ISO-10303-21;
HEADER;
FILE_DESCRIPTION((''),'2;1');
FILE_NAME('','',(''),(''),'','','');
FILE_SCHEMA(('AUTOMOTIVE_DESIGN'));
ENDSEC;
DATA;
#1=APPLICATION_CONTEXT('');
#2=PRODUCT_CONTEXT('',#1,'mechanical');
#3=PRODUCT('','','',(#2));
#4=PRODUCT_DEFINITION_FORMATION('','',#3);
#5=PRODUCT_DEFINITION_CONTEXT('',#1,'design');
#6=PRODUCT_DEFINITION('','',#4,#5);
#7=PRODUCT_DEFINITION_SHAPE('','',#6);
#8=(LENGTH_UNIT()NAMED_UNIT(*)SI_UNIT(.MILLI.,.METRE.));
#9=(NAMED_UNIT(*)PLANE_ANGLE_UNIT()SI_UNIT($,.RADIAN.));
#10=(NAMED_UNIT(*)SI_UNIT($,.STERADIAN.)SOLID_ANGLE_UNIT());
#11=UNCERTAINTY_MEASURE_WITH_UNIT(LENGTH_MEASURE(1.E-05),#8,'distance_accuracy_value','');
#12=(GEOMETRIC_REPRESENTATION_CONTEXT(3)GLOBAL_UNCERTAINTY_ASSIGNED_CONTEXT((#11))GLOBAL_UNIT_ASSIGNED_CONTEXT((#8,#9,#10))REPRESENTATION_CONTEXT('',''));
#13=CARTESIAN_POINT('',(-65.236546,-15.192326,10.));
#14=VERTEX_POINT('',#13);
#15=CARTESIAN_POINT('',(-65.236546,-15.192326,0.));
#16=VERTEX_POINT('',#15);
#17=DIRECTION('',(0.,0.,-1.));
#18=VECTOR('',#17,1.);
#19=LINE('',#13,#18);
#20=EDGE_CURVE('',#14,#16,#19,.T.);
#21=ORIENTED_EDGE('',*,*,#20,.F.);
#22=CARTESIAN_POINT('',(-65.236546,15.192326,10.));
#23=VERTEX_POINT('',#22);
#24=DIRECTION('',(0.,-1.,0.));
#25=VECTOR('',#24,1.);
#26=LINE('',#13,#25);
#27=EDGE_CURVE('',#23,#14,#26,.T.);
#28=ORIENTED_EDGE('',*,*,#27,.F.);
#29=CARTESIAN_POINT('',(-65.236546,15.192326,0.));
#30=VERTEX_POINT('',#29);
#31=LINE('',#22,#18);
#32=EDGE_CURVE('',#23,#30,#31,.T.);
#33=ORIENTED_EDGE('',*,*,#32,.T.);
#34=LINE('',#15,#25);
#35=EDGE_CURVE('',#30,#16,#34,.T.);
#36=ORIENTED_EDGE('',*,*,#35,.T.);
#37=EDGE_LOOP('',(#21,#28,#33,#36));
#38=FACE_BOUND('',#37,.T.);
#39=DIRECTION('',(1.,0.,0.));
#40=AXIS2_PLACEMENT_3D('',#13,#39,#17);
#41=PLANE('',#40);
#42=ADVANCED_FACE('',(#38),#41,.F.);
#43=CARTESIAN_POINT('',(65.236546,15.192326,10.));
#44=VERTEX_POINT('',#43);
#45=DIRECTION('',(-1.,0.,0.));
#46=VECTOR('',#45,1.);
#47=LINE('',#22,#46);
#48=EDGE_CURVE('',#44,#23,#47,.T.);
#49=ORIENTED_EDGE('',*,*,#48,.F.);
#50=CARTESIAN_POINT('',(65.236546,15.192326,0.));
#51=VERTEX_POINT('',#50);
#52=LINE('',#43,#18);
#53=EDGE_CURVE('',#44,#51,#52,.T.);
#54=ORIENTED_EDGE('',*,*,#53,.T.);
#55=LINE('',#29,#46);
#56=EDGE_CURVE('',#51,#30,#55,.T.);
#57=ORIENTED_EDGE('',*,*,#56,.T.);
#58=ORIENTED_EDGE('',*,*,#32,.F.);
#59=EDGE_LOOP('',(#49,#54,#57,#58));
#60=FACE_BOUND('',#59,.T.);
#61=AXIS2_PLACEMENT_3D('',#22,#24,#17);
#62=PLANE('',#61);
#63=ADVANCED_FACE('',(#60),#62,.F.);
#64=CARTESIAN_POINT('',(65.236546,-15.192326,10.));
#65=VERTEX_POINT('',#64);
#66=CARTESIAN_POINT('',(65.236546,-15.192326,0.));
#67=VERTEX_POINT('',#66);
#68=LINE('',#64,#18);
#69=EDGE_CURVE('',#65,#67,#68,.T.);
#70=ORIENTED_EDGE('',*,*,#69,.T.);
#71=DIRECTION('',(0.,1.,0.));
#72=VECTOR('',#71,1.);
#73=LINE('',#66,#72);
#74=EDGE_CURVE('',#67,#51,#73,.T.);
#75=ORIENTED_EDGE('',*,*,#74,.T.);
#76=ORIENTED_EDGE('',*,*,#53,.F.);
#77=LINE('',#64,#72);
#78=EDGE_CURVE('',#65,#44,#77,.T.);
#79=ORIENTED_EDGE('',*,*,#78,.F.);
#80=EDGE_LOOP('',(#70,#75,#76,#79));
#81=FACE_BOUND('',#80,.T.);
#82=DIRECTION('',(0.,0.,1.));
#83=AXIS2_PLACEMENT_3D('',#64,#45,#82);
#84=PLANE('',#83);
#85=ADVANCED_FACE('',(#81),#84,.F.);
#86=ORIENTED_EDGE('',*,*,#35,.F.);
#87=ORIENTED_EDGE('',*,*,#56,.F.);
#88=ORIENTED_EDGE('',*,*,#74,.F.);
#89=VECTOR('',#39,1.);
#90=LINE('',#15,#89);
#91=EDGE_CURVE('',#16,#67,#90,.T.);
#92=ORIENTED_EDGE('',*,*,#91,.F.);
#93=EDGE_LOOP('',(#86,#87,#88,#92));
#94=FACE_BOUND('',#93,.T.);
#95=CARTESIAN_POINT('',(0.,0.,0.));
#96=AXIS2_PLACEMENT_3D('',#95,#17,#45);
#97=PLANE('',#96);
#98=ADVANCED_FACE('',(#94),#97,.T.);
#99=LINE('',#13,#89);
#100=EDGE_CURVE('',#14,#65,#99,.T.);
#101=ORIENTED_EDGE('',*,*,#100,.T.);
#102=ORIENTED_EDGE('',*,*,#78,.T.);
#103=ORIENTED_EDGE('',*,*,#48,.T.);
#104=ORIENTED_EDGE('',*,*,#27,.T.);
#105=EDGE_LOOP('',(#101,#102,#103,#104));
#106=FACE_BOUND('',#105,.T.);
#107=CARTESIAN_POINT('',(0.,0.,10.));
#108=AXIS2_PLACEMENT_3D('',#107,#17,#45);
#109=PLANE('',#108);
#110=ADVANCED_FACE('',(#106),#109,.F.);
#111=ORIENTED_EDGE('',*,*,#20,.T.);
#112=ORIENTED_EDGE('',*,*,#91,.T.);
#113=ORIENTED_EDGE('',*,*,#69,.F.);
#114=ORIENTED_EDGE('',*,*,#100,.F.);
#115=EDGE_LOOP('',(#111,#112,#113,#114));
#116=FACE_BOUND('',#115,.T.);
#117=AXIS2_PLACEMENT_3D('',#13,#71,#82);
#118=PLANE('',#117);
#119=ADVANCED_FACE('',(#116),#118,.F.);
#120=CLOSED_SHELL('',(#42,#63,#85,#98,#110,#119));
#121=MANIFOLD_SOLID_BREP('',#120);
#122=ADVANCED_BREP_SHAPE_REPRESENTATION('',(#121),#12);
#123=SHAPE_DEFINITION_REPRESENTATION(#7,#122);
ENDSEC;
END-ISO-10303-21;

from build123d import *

# Parameters (mm, degrees)
SKETCH_1_W      = 130.473092558
SKETCH_1_H      = 30.38465224
EXTRUDE_1_DEPTH = 10


with BuildPart() as part:
    # Эскиз1 → Бобышка-Вытянуть1 (new body)
    with BuildSketch(Plane.XY):
        Rectangle(SKETCH_1_W, SKETCH_1_H)
    extrude(amount=EXTRUDE_1_DEPTH)


solid = part.part
